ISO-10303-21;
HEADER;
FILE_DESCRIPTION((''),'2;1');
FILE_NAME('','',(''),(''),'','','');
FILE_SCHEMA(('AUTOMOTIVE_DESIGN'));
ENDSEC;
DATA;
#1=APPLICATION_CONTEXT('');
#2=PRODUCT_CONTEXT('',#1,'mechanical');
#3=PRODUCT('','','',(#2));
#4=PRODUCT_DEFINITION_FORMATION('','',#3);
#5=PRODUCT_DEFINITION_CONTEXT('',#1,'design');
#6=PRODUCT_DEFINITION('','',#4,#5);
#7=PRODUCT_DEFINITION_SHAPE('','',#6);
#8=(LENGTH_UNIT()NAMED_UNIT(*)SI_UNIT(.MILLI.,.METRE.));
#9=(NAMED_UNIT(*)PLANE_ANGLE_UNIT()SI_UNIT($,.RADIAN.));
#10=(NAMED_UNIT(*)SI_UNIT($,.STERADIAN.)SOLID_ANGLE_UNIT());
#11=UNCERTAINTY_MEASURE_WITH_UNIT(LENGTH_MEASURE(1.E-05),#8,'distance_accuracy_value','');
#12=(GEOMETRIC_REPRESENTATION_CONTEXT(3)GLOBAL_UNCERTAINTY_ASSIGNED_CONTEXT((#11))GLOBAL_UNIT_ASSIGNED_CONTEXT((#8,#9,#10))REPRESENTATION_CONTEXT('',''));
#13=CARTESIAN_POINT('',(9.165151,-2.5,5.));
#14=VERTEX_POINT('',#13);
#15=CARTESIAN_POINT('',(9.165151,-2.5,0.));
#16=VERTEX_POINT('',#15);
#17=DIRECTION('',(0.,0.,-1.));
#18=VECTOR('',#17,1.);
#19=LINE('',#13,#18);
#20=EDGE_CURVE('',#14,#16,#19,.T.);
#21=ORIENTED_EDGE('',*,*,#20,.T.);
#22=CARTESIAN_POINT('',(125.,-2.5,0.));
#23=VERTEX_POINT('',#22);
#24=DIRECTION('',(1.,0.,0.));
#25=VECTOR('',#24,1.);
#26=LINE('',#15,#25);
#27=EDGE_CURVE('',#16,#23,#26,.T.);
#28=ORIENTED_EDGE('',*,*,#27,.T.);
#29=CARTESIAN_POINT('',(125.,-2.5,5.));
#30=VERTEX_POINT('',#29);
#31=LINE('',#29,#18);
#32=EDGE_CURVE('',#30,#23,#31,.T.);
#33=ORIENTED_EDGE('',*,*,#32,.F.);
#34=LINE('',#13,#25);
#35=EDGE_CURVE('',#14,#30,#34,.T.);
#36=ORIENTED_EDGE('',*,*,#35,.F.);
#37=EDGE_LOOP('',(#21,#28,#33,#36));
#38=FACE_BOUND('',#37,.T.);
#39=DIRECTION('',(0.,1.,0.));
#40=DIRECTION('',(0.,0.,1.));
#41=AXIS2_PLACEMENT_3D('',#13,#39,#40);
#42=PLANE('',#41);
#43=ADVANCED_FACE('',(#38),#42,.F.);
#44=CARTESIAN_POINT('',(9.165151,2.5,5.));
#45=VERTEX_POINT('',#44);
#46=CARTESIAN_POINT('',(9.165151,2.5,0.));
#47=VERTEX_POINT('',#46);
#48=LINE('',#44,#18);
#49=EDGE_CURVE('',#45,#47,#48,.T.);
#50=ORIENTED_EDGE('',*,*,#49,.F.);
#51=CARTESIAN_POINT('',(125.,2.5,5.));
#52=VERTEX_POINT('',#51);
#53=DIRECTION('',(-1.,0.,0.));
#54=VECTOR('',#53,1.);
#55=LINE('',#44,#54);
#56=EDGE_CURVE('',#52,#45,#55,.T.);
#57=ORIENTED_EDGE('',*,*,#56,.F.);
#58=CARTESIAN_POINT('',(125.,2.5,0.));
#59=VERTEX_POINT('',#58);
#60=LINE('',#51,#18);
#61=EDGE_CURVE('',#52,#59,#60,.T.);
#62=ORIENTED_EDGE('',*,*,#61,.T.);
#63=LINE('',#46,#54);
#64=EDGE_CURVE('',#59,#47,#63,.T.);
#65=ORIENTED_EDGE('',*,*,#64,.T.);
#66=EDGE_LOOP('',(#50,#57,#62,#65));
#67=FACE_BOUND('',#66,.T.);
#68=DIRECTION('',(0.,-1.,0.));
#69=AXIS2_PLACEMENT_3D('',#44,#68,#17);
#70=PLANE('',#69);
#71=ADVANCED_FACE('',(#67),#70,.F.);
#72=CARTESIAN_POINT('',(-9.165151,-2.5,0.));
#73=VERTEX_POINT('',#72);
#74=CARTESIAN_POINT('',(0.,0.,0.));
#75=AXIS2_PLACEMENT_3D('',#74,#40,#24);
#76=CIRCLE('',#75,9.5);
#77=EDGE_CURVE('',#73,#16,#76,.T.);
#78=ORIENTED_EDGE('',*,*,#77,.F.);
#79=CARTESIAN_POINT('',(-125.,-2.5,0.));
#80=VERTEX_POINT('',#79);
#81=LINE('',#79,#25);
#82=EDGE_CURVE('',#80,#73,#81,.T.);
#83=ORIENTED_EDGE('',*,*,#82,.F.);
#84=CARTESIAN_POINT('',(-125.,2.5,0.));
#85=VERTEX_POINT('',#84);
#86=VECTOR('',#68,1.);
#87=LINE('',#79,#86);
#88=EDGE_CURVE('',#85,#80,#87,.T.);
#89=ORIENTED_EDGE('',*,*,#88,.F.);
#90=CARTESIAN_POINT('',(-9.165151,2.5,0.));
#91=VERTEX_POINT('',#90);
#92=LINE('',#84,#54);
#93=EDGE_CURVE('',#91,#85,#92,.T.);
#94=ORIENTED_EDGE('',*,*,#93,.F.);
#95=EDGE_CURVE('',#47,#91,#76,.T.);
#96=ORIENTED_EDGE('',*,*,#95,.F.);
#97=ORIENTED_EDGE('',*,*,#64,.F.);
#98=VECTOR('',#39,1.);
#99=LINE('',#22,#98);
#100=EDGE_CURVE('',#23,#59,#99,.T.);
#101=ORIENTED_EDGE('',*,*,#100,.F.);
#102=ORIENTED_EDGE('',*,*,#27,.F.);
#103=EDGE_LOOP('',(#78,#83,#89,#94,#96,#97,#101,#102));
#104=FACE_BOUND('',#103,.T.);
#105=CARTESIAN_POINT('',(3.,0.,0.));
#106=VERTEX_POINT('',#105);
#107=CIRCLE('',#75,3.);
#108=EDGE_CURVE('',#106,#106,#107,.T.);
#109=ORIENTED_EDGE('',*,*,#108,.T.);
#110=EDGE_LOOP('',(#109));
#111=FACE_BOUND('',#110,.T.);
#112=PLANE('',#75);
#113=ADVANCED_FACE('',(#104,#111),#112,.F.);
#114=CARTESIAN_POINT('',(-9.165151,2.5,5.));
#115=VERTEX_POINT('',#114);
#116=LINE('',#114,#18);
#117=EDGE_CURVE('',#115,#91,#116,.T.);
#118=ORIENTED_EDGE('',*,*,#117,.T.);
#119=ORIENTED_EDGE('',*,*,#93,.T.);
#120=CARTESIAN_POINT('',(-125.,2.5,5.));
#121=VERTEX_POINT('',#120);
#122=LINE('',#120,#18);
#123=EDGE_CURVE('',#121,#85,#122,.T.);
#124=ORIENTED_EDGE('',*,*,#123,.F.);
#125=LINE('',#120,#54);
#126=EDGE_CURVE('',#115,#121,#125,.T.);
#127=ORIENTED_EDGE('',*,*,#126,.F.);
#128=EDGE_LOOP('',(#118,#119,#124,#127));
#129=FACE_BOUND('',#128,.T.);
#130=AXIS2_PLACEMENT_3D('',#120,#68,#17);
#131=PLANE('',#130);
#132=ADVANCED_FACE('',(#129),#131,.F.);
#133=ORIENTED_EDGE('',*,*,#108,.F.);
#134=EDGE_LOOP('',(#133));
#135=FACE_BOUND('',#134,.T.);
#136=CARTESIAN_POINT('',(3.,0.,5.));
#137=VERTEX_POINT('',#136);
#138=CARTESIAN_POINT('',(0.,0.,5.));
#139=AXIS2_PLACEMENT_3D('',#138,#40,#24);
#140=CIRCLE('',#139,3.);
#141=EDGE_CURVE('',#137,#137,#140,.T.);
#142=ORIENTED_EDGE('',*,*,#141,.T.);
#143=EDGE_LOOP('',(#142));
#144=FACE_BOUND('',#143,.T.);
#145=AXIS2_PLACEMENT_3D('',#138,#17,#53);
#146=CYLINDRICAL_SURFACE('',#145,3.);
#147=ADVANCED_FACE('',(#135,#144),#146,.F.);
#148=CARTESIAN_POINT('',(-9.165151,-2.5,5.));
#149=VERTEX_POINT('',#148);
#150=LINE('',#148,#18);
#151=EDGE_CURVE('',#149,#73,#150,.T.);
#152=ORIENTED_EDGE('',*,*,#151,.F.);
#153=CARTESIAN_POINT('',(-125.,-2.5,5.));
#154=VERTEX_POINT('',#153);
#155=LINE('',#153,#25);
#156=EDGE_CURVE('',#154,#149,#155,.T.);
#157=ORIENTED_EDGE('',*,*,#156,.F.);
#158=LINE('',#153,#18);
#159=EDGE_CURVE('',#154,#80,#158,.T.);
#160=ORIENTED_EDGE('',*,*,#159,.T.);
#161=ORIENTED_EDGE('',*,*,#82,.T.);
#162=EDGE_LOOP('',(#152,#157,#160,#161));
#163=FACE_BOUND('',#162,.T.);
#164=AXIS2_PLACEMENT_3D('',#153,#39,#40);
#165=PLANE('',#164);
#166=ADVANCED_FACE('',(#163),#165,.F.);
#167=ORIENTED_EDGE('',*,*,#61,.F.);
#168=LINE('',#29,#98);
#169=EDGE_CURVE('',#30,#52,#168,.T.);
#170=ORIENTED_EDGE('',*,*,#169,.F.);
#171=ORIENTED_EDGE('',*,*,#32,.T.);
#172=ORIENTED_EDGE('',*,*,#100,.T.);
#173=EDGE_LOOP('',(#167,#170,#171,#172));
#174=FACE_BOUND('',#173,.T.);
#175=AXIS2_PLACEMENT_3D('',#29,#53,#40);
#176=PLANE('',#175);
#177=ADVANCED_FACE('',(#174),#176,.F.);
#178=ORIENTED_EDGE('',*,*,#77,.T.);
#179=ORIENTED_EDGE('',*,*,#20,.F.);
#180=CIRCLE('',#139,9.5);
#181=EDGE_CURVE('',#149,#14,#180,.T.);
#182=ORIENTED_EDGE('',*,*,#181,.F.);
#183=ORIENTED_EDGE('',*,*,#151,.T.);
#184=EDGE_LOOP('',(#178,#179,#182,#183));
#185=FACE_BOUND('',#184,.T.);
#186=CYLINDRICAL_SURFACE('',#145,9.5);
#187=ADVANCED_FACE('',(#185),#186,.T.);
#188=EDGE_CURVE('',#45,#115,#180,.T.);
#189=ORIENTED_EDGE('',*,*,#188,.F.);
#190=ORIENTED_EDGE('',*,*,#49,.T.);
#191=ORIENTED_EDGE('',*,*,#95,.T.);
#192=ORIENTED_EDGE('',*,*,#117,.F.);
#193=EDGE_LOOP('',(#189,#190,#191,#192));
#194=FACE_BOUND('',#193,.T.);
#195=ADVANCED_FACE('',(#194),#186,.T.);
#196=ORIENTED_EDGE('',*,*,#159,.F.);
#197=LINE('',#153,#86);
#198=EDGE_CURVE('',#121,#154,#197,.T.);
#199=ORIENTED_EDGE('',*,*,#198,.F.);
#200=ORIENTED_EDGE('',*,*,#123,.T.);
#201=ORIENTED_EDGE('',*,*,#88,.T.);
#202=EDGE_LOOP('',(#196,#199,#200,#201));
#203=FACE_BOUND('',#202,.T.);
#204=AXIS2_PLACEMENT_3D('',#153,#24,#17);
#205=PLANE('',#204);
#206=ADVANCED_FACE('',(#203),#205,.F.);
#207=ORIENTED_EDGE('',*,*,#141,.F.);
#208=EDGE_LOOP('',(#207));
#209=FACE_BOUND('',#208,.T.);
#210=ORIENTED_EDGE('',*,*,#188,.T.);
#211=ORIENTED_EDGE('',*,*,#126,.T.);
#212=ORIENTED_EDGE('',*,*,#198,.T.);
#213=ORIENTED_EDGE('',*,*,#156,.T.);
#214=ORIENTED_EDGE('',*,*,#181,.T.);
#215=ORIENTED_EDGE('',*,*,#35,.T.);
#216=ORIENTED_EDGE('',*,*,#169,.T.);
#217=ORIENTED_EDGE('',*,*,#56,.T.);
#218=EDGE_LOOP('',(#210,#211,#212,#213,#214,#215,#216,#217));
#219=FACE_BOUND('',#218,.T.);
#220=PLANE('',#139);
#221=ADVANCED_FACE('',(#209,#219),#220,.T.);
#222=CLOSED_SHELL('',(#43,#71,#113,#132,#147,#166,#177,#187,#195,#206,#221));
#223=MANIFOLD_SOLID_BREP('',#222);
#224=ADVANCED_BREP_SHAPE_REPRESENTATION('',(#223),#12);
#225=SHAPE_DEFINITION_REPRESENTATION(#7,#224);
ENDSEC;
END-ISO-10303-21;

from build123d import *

# Parameters (mm, degrees)
SKETCH1_R           = 3
BOSS_EXTRUDE1_DEPTH = 5


with BuildPart() as part:
    # Sketch1 → Boss-Extrude1 (new body)
    with BuildSketch(Plane.XY):
        with BuildLine():
            Line((-125, -2.5), (-9.16515139, -2.5))
            ThreePointArc((-9.16515139, -2.5), (0, -9.5), (9.16515139, -2.5))
            Line((9.16515139, -2.5), (125, -2.5))
            Line((125, -2.5), (125, 2.5))
            Line((125, 2.5), (9.16515139, 2.5))
            ThreePointArc((9.16515139, 2.5), (0, 9.5), (-9.16515139, 2.5))
            Line((-9.16515139, 2.5), (-125, 2.5))
            Line((-125, 2.5), (-125, -2.5))
        make_face()
        Circle(SKETCH1_R, mode=Mode.SUBTRACT)
    extrude(amount=BOSS_EXTRUDE1_DEPTH)


solid = part.part
